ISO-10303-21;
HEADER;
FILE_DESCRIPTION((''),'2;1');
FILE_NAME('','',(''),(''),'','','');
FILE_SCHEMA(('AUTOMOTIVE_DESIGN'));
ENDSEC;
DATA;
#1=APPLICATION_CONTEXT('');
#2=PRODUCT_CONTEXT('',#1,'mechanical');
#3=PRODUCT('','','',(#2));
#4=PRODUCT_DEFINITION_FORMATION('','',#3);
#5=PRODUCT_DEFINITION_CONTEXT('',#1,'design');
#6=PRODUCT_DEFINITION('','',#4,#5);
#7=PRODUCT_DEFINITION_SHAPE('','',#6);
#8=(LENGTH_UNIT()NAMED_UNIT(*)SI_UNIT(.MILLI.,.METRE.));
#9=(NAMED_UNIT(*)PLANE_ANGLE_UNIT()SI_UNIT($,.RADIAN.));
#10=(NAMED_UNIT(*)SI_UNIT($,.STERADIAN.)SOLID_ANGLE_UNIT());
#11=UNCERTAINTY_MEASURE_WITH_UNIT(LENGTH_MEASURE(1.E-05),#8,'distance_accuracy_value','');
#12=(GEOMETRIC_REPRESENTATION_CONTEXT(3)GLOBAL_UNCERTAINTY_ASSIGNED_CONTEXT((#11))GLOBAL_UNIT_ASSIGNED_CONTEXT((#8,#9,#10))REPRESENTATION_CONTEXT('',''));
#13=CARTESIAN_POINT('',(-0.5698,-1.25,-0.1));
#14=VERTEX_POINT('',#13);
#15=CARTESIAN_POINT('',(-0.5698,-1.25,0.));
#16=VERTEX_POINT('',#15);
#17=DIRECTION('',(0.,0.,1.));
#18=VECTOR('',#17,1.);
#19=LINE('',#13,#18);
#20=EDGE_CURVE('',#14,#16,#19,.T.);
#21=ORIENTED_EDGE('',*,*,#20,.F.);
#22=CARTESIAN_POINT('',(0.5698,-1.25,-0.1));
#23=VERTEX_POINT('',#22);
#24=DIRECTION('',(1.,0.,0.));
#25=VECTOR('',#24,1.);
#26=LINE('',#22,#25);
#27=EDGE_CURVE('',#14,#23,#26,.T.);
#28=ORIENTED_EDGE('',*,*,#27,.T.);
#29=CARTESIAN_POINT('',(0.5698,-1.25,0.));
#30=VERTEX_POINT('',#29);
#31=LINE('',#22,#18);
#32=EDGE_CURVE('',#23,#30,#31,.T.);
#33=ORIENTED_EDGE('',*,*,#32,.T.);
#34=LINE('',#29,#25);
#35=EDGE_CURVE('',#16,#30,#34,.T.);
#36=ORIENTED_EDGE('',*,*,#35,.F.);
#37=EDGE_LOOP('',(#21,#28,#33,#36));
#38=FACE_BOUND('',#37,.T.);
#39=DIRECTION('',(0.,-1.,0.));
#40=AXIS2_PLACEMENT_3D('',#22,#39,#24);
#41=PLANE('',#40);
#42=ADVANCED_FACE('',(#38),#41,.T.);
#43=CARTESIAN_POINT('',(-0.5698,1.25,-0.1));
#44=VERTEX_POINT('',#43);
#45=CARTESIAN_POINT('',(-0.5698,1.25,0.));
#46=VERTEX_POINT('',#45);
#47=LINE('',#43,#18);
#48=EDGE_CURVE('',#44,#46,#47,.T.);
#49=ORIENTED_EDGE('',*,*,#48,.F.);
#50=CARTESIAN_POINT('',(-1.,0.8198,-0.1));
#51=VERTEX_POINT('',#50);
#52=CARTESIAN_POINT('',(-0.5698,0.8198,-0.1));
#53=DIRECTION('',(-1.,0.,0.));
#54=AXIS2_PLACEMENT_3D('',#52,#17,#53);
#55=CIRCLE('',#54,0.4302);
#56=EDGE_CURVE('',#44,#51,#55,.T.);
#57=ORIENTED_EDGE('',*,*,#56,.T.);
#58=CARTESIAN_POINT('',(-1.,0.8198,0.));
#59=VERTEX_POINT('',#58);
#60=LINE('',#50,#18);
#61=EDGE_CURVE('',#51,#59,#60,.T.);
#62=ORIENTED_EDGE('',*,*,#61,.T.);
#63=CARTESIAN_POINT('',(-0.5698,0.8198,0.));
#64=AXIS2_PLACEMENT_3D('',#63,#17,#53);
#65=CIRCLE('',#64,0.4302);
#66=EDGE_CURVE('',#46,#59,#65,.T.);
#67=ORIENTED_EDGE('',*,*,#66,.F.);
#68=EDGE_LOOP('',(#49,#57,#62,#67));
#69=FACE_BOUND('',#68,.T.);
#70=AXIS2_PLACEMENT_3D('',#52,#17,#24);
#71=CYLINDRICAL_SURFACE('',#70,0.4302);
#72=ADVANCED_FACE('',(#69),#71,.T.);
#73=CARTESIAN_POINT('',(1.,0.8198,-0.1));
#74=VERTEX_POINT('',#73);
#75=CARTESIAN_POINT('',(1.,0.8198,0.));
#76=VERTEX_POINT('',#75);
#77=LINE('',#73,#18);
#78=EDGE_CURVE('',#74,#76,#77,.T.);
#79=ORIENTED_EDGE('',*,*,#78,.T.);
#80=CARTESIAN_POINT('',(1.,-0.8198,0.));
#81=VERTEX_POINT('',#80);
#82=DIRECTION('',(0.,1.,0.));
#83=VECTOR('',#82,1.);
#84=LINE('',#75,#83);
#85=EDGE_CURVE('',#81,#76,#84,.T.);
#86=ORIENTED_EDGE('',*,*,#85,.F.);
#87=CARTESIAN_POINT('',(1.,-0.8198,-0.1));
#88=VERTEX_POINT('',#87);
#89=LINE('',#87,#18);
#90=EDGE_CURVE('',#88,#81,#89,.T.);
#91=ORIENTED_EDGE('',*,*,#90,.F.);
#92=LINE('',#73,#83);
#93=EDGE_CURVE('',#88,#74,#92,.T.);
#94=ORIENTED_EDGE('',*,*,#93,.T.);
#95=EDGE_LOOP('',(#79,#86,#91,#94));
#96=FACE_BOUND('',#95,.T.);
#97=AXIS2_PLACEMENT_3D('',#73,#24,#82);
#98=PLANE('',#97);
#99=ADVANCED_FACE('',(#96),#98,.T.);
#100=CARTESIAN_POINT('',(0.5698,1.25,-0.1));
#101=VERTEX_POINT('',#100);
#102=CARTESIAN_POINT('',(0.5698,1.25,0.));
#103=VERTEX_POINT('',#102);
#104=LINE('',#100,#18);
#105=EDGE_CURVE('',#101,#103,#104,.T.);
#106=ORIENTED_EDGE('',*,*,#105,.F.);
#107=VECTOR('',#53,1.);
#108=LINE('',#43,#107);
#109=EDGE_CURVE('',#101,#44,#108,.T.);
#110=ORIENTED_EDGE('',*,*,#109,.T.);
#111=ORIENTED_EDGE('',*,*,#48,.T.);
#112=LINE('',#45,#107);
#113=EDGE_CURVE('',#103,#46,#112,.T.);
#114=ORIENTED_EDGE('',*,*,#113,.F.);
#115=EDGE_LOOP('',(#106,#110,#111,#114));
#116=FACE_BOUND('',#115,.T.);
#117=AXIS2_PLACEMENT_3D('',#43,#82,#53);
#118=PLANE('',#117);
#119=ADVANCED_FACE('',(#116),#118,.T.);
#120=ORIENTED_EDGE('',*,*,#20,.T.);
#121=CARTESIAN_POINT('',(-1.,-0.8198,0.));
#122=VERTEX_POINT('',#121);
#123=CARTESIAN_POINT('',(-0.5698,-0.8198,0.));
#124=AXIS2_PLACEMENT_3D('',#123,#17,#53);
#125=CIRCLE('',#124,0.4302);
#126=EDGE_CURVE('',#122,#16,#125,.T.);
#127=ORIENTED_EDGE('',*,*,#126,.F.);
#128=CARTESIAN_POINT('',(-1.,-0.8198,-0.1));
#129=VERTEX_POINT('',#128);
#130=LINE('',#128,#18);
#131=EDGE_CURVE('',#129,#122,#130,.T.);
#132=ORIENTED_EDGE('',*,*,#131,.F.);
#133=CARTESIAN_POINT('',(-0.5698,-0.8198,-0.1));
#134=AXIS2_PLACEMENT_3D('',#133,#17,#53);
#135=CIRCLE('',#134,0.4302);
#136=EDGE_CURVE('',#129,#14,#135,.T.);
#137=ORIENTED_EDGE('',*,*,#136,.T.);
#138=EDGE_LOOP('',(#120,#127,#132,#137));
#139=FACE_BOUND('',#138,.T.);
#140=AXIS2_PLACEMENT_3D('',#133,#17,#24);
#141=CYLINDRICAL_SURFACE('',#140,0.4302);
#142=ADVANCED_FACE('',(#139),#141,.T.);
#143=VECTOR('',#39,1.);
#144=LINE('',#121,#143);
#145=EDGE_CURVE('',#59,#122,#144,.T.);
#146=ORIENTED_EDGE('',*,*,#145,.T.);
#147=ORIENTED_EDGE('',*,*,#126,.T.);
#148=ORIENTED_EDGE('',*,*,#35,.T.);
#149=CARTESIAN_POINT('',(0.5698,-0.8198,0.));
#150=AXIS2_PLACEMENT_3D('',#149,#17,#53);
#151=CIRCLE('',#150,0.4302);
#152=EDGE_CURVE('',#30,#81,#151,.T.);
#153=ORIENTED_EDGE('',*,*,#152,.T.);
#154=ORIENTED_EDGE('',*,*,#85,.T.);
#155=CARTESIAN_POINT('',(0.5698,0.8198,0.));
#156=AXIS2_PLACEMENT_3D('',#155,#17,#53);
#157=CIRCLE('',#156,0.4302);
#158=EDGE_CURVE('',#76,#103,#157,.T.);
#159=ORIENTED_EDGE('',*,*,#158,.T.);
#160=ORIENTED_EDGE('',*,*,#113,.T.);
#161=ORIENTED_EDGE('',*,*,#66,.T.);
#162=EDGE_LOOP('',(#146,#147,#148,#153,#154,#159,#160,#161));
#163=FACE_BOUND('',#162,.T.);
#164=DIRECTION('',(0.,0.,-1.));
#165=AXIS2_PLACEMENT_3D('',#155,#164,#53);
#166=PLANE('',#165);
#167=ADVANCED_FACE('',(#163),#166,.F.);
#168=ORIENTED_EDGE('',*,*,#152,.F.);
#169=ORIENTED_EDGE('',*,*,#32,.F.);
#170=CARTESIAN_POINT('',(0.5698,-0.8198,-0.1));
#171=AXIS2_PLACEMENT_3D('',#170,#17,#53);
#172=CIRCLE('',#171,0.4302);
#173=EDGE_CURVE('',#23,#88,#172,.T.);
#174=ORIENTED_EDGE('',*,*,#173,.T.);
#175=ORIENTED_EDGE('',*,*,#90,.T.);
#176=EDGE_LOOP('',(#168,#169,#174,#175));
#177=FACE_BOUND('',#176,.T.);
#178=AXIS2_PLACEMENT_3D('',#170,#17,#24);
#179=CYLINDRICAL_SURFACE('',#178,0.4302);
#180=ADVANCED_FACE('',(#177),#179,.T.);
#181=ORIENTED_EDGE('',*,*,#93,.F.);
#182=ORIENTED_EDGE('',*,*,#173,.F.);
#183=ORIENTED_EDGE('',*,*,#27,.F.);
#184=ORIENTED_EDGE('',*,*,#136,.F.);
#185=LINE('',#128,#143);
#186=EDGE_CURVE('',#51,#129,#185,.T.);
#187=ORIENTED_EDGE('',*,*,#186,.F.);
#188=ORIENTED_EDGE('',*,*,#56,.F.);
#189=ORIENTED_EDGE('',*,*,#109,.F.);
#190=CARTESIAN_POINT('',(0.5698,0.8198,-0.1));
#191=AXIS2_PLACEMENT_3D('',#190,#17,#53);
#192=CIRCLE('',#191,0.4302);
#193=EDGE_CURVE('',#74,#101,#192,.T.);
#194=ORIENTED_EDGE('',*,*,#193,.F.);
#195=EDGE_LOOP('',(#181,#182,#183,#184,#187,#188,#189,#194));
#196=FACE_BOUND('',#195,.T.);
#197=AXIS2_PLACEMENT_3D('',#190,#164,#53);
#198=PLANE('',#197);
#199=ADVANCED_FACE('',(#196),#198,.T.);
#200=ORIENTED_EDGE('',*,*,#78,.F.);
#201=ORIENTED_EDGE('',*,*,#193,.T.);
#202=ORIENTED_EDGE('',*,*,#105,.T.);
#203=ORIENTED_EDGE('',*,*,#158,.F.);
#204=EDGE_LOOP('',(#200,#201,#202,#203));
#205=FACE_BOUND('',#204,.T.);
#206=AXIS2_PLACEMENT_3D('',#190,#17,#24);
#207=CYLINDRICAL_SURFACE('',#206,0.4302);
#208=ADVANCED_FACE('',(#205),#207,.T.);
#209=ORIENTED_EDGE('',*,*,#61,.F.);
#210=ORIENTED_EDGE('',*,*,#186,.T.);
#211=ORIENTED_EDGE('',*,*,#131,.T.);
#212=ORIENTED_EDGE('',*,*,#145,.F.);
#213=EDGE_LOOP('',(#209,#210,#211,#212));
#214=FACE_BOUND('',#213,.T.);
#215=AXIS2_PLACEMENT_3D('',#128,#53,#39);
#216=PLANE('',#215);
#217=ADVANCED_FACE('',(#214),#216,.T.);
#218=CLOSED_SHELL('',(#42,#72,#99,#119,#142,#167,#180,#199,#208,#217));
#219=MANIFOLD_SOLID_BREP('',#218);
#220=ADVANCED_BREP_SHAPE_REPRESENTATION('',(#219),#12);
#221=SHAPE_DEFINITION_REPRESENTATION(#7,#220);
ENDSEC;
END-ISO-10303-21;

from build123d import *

# Parameters (mm, degrees)
LANDING_PAD_2_5X2_DEPTH = 0.1


with BuildPart() as part:
    # Sketch9 → landing-pad-2.5x2 (new body)
    with BuildSketch(Plane.XY):
        with BuildLine():
            Line((1, 0.819799953), (1, -0.819799953))
            ThreePointArc((1, -0.819799953), (0.873997324, -1.123997324), (0.569799953, -1.25))
            Line((0.569799953, -1.25), (-0.569799953, -1.25))
            ThreePointArc((-0.569799953, -1.25), (-0.873997324, -1.123997324), (-1, -0.819799953))
            Line((-1, -0.819799953), (-1, 0.819799953))
            ThreePointArc((-1, 0.819799953), (-0.873997324, 1.123997324), (-0.569799953, 1.25))
            Line((-0.569799953, 1.25), (0.569799953, 1.25))
            ThreePointArc((0.569799953, 1.25), (0.873997324, 1.123997324), (1, 0.819799953))
        make_face()
    extrude(amount=-LANDING_PAD_2_5X2_DEPTH)


solid = part.part
